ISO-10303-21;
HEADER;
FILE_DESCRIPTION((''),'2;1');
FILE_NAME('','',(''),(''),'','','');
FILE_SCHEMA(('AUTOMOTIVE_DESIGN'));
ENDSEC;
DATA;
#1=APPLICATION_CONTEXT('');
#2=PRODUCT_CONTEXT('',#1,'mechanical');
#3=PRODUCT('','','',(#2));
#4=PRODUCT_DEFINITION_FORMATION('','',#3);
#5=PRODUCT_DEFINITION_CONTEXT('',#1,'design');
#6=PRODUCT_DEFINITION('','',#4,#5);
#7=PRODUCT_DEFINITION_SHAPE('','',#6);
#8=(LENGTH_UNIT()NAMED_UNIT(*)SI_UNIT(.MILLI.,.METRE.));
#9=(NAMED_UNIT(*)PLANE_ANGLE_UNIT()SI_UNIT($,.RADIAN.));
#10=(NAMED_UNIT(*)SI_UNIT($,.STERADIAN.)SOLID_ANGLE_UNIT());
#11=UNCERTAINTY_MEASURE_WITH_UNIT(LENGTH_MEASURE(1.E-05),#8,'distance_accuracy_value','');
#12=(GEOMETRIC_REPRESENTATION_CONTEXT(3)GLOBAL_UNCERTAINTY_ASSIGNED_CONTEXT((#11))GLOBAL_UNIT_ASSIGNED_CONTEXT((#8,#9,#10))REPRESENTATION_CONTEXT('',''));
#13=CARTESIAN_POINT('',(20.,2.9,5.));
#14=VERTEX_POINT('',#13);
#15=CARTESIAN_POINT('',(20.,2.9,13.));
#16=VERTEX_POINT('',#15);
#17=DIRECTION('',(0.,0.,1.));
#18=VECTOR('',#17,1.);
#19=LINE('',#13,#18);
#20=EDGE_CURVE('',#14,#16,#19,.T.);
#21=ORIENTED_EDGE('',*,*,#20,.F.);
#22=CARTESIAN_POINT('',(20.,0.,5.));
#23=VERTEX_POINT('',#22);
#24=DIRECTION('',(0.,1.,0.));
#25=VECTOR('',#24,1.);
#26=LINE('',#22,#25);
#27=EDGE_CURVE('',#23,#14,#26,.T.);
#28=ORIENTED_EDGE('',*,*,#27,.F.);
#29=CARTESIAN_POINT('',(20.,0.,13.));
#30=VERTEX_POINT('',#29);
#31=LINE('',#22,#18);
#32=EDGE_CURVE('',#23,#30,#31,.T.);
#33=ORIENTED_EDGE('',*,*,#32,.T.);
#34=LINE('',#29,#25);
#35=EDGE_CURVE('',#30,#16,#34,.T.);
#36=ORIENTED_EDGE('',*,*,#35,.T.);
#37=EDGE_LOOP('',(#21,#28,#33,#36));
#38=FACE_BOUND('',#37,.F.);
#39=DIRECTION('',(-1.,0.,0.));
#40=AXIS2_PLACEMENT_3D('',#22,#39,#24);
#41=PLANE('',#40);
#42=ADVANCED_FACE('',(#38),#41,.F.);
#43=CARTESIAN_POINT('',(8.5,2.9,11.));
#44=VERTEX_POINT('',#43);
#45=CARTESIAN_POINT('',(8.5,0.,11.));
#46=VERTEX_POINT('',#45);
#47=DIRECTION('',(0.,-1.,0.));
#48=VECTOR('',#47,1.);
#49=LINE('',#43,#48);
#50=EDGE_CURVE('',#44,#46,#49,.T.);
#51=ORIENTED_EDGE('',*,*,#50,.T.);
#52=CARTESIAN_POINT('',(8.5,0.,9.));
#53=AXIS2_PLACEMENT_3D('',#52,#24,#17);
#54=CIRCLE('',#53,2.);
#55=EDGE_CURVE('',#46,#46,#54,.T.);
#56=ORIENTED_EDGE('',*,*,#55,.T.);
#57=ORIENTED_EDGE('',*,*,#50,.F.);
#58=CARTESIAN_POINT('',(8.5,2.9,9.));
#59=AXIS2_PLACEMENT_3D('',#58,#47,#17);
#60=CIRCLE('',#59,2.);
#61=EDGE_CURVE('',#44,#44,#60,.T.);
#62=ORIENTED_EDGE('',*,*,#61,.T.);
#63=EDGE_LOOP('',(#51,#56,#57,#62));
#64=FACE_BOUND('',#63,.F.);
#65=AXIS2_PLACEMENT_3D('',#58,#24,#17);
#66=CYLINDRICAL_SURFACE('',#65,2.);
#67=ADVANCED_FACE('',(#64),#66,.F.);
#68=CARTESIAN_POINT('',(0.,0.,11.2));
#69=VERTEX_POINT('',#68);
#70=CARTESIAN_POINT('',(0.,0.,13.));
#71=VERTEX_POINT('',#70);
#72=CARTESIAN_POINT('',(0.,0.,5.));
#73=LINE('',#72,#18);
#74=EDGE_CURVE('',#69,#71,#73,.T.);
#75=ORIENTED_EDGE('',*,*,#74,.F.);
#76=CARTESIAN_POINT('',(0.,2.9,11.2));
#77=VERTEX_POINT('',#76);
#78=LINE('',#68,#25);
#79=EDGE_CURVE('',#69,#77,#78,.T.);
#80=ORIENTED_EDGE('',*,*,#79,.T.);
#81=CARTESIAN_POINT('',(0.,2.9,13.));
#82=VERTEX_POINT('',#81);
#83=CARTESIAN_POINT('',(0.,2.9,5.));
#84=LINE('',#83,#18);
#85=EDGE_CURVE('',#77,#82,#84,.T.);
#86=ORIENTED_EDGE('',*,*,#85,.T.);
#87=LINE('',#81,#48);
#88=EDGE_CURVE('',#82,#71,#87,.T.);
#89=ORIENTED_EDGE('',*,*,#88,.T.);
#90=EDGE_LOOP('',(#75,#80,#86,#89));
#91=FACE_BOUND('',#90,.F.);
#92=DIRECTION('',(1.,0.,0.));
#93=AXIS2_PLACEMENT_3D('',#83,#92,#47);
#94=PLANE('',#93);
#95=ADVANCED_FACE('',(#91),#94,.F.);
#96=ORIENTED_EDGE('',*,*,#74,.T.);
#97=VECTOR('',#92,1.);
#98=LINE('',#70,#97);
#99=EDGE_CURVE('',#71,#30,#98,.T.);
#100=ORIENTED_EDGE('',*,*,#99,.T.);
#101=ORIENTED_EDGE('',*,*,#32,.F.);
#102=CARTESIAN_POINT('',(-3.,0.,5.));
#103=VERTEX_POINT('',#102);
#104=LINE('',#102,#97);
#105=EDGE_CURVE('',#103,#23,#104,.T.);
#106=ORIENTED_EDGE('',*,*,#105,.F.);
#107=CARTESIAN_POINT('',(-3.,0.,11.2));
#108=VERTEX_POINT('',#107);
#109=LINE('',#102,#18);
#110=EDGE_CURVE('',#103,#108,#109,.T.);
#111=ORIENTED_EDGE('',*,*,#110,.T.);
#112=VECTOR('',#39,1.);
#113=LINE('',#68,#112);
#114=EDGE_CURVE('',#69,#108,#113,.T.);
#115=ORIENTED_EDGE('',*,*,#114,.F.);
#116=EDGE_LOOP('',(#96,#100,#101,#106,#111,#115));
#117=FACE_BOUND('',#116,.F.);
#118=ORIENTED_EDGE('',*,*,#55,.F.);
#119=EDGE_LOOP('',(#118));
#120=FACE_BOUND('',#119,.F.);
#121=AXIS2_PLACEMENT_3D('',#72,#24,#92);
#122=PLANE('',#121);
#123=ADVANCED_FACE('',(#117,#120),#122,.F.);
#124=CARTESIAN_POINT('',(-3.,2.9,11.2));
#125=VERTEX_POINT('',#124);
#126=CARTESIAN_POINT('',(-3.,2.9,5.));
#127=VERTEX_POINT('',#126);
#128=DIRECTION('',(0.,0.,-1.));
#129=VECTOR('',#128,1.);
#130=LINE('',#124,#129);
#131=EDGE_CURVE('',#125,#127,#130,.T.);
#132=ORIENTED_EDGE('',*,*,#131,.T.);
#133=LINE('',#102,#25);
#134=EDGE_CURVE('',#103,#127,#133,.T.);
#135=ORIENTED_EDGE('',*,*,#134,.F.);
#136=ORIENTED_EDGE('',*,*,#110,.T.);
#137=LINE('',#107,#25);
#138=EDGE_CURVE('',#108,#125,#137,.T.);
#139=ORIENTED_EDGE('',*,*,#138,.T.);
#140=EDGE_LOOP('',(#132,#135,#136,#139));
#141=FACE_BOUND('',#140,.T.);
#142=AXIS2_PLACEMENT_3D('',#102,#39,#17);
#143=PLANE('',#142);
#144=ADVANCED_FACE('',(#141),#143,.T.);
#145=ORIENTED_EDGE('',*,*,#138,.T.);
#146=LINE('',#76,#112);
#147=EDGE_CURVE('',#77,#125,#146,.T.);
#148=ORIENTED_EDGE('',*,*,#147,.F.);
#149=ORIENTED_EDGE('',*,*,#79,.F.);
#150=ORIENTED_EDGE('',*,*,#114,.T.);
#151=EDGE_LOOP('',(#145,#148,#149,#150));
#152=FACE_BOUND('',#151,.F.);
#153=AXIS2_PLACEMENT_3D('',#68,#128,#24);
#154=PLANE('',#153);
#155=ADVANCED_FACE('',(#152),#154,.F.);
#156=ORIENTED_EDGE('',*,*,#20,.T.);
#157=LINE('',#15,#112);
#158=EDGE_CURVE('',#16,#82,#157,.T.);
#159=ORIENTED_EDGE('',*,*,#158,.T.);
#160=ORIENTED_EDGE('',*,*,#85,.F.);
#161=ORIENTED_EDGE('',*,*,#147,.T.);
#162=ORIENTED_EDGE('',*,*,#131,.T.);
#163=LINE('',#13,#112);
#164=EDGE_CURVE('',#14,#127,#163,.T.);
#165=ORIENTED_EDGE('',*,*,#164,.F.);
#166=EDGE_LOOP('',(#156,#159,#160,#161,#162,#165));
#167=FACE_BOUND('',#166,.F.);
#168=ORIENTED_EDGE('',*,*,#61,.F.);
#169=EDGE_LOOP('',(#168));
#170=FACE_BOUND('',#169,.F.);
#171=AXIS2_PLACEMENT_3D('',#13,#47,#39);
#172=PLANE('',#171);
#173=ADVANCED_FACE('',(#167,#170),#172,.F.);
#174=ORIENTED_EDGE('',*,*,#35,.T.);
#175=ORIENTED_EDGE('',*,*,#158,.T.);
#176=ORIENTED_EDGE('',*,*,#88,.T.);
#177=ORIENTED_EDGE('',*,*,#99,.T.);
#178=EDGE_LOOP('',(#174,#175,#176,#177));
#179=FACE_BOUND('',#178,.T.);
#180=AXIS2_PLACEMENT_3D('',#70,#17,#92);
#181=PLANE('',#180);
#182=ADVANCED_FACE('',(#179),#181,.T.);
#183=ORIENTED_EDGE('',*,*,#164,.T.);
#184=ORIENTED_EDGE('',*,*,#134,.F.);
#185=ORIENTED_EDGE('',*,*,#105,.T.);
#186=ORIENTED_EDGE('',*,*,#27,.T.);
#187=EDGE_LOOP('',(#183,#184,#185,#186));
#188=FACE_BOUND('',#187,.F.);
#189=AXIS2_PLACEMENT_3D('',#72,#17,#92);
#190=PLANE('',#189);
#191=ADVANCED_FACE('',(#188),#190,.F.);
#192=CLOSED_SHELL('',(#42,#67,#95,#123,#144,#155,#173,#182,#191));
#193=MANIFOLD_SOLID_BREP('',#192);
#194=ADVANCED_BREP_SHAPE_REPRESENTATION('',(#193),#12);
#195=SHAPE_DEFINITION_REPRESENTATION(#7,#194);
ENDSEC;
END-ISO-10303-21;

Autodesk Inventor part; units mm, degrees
ref_plane "YZ Plane" through (0, 0, 0) normal (1, 0, 0) x (0, 1, 0)
ref_plane "XZ Plane" through (0, 0, 0) normal (0, 1, 0) x (-1, 0, 0)
ref_plane "XY Plane" through (0, 0, 0) normal (0, 0, 1) x (1, 0, 0)
ref_plane "Work Plane1" through (0, 0, 5) normal (0, 0, 1) x (1, 0, 0)
sketch "Sketch1" plane through (0, 0, 5) normal (0, 0, 1) x (1, 0, 0)
  line L0 (0, 0) -> (20, 0)
  line L1 (20, 0) -> (20, 2.9)
  line L2 (20, 2.9) -> (0, 2.9)
  line L3 (0, 2.9) -> (0, 0)
  dimension "d2" = 20
  dimension "d1" = 2.9
extrude "Extrusion1" add sketch "Sketch1" along normal blind 8
sketch "Sketch2" plane through (0, 0, 5) normal (-1, 0, 0) x (0, 0, 1)
  line L0 (0, 0) -> (0, 2.9) projected
  line L1 (0, 0) -> (8, 0) projected
  line L2 (0, 0) -> (6.2, 0)
  line L3 (6.2, 0) -> (6.2, 2.9)
  line L4 (6.2, 2.9) -> (0, 2.9)
  line L5 (0, 2.9) -> (0, 0)
  point P0 (-13, 0)
  dimension "d6" = 6.2
extrude "Extrusion2" add sketch "Sketch2" along normal blind 3
sketch "Sketch3" plane through (20, 2.9, 5) normal (0, 1, 0) x (0, 0, 1)
  line L0 (0, 0) -> (0, -23) projected
  line L1 (8, -20) -> (8, 0) projected
  line L2 (0, -20) -> (8, -20)
  line L3 (4, -20) -> (4, -11.5)
  circle A0 centre (4, -11.5) radius 2
  point P0 (-13, -20)
  dimension "d11" = 8.5
  dimension "d10" = 4
extrude "Extrusion3" cut sketch "Sketch3" against normal through all
properties part number "Cap Pulley Support V2 Pt2" material "Thermoplastic Resin"
